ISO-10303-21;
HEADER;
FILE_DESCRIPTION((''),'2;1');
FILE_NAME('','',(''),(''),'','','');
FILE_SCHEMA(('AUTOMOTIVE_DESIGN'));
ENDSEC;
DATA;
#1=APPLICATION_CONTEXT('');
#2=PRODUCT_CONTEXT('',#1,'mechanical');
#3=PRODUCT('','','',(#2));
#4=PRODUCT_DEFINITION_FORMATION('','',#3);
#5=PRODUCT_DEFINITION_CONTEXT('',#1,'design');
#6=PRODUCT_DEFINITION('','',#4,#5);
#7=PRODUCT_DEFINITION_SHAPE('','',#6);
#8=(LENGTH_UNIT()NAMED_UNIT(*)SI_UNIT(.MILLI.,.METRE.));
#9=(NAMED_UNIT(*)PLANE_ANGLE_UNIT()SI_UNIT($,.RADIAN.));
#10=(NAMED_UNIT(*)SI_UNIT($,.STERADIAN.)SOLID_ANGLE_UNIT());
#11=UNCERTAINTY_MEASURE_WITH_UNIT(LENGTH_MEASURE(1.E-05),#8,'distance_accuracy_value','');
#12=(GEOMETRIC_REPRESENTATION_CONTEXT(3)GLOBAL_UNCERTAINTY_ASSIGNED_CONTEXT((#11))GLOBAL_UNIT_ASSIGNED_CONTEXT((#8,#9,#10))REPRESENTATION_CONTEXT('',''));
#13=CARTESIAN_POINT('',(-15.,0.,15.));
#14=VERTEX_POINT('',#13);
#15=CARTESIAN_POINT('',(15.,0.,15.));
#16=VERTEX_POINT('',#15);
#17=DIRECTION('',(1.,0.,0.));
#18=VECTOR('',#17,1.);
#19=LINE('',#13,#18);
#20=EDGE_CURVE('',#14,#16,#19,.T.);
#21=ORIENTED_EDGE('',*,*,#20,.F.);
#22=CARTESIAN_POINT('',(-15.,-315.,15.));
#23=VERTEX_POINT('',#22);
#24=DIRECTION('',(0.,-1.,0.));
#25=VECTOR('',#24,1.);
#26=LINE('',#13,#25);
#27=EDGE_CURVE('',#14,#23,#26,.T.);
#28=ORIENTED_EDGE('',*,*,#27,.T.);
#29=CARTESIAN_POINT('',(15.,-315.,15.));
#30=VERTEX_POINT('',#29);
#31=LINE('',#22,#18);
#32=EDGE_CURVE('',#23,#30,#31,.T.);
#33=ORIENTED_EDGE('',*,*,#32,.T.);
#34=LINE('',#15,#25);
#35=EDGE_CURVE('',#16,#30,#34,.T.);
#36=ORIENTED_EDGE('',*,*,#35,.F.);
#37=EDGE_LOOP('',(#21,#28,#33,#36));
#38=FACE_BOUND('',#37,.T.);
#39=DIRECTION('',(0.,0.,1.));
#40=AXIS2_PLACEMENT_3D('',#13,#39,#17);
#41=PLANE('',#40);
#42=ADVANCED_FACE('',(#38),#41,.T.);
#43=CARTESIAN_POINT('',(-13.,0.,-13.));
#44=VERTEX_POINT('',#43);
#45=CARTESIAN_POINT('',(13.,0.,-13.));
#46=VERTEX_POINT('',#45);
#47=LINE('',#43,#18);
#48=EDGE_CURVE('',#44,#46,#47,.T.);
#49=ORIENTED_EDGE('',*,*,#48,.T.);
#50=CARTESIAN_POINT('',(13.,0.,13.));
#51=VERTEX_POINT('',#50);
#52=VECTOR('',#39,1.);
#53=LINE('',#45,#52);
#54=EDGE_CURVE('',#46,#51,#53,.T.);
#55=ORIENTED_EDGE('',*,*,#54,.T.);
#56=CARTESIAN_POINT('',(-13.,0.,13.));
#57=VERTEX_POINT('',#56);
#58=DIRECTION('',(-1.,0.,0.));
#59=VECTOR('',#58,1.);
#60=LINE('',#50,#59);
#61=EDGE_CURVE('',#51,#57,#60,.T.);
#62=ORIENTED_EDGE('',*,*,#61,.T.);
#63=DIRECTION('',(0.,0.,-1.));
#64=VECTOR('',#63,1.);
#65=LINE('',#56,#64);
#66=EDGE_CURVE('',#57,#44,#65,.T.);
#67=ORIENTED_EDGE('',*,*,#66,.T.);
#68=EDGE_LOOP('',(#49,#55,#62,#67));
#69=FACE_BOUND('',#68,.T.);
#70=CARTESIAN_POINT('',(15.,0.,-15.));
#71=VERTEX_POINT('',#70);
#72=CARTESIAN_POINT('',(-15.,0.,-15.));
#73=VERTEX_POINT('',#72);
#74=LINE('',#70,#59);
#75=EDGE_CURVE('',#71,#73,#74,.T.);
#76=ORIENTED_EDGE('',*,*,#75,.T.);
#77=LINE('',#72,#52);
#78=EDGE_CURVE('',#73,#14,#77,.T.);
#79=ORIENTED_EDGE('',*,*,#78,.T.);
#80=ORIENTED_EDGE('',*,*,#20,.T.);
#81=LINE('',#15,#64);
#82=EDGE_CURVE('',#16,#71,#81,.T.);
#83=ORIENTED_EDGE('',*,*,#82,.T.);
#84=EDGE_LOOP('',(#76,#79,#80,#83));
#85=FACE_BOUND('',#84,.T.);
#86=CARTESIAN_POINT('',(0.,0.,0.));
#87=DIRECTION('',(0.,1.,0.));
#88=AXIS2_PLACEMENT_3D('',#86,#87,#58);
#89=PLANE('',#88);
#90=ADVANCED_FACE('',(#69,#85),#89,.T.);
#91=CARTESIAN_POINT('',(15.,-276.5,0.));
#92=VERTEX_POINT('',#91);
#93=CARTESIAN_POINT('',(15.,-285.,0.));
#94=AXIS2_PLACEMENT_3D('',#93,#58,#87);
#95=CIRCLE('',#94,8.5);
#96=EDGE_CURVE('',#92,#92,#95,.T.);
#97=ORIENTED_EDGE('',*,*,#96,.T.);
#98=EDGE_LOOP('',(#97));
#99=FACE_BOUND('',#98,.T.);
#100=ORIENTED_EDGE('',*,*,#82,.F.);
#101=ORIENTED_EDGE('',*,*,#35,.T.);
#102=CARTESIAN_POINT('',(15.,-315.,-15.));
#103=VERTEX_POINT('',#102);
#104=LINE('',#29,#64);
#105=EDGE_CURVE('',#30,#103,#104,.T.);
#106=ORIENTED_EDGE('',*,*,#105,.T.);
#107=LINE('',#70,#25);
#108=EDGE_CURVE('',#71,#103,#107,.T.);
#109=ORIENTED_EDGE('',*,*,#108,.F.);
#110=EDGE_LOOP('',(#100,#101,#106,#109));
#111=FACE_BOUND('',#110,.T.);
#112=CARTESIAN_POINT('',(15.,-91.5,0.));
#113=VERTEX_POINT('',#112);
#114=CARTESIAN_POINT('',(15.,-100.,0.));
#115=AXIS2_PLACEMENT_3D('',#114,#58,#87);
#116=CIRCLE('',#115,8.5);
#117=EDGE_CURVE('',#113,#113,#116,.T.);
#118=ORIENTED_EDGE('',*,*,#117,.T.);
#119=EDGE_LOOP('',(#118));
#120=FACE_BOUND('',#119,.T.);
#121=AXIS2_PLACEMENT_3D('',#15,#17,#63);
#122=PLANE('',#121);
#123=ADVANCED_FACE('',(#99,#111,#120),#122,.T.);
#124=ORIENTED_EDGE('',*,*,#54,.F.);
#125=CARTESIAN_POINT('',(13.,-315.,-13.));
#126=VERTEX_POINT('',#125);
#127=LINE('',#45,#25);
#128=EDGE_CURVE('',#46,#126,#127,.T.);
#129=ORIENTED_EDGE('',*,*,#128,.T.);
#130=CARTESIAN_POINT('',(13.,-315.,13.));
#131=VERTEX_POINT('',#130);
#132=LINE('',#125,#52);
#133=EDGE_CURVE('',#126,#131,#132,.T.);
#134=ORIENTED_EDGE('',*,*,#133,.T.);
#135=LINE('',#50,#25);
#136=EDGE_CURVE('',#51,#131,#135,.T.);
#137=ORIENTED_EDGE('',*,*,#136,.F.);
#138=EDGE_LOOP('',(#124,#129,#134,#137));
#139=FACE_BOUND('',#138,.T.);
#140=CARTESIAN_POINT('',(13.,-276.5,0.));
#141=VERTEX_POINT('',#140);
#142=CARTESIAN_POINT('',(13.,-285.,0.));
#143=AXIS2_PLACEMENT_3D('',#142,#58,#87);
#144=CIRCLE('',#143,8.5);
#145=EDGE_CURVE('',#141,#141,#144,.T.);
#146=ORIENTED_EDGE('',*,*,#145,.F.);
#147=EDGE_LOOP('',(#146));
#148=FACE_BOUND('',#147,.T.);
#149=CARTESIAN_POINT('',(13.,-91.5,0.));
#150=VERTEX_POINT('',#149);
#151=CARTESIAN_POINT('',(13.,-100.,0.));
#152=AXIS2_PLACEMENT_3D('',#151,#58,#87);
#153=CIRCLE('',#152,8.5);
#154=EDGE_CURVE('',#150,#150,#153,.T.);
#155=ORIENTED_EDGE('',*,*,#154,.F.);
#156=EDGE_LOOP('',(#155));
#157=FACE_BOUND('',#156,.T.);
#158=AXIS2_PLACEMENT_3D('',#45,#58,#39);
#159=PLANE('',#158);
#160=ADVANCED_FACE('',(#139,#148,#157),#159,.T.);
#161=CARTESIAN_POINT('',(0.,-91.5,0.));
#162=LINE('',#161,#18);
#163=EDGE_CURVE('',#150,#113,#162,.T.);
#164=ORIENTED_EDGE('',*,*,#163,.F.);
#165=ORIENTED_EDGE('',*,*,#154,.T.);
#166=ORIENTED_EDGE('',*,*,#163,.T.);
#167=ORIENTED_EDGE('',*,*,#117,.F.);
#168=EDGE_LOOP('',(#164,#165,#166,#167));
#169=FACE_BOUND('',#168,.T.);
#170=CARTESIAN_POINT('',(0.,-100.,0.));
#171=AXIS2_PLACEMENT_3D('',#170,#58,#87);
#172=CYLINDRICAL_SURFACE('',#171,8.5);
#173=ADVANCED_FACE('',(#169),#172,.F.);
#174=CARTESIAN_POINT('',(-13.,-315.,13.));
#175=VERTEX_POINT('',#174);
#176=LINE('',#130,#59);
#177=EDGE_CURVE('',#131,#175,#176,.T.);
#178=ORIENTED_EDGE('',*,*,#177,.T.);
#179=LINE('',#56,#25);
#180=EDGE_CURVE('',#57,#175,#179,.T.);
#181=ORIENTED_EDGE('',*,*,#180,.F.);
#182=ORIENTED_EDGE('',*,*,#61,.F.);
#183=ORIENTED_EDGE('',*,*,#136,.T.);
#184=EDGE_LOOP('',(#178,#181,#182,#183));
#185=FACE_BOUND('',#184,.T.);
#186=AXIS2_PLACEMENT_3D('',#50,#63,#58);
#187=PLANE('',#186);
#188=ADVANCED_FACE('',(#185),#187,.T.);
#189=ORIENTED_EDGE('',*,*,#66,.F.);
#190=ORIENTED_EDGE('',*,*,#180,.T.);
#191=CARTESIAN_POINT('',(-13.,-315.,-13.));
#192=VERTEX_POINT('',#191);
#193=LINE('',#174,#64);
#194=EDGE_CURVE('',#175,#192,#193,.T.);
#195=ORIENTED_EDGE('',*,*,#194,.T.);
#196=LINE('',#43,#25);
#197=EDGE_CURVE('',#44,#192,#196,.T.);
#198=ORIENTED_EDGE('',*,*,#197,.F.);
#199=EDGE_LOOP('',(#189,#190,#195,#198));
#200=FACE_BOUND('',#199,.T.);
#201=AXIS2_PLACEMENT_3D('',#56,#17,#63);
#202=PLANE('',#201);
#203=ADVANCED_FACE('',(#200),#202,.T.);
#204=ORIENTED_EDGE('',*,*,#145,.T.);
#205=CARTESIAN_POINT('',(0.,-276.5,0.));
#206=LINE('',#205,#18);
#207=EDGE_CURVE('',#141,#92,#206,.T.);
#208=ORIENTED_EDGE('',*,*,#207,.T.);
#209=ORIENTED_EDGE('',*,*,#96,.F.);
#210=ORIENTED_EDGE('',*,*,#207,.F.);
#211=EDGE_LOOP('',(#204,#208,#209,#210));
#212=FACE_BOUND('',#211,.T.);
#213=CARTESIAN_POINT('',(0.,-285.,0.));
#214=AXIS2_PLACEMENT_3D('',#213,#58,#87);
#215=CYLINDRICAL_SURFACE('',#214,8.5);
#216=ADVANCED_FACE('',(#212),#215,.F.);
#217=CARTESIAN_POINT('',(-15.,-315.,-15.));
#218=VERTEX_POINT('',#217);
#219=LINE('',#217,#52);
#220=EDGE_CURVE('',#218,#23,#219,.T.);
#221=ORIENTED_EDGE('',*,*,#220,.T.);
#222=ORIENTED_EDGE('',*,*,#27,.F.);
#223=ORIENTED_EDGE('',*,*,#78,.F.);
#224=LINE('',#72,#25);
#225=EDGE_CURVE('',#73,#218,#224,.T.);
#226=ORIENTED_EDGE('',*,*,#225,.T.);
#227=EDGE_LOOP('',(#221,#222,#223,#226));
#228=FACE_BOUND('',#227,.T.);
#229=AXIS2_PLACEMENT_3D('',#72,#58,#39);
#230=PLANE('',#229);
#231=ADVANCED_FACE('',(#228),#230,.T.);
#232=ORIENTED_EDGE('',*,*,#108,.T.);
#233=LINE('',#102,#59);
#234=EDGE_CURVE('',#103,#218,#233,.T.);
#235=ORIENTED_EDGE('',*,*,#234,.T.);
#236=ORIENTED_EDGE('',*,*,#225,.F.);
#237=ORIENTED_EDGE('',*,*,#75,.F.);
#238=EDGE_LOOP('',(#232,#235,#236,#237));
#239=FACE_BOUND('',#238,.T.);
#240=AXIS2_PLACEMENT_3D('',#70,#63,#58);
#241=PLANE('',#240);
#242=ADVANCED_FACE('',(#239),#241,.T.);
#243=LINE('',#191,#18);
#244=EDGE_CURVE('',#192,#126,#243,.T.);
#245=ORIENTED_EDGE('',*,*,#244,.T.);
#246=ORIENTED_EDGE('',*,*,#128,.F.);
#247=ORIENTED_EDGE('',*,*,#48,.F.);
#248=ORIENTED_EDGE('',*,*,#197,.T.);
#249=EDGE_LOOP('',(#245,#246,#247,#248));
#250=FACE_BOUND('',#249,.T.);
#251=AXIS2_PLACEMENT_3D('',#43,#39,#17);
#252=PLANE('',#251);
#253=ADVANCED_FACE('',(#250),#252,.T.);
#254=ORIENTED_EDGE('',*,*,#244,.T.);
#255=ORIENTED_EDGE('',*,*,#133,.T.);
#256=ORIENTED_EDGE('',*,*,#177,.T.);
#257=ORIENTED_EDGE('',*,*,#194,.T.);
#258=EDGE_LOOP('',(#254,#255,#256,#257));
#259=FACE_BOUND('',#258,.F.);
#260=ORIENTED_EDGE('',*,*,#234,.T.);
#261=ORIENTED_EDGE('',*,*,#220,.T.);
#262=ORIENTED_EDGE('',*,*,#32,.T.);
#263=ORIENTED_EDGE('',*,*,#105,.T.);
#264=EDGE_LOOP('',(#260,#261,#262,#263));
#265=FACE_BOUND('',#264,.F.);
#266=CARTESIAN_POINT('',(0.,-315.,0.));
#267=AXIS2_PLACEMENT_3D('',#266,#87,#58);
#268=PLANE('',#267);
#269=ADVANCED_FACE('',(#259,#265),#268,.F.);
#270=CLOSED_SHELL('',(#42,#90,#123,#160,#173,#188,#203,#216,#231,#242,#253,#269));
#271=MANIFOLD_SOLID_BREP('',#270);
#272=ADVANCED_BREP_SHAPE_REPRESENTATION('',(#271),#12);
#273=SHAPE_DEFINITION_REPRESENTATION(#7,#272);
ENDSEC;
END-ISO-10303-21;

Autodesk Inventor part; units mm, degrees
ref_plane "YZ Plane" through (0, 0, 0) normal (1, 0, 0) x (0, 1, 0)
ref_plane "XZ Plane" through (0, 0, 0) normal (0, 1, 0) x (-1, 0, 0)
ref_plane "XY Plane" through (0, 0, 0) normal (0, 0, 1) x (1, 0, 0)
sketch "Sketch9" plane through (0, 0, 0) normal (0, 1, 0) x (-1, 0, 0)
  line L0 (15, 15) -> (-15, 15)
  line L1 (-15, 15) -> (-15, -15)
  line L2 (-15, -15) -> (15, -15)
  line L3 (15, -15) -> (15, 15)
  line L4 (15, 15) -> (-15, -15) construction
  line L5 (-15, 15) -> (15, -15) construction
  line L6 (-13, 13) -> (13, 13)
  line L7 (13, 13) -> (13, -13)
  line L8 (13, -13) -> (-13, -13)
  line L9 (-13, -13) -> (-13, 13)
  point P0 (0, 0)
  dimension "d172" = 30
  dimension "d173" = 30
  dimension "d174" = 2
extrude "Extrusion3" add sketch "Sketch9" against normal blind 315
sketch "Sketch10" plane through (0, 0, 0) normal (1, 0, 0) x (0, 1, 0)
  line L0 (0, 15) -> (0, -15) construction
  line L1 (0, 15) -> (-315, 15) construction
  line L2 (-315, -15) -> (-315, 15) construction
  line L3 (0, -15) -> (-315, -15) construction
  line L4 (-108.5, 8.5) -> (-91.5, 8.5)
  line L5 (-91.5, 8.5) -> (-91.5, -8.5)
  line L6 (-91.5, -8.5) -> (-108.5, -8.5)
  line L7 (-108.5, -8.5) -> (-108.5, 8.5)
  line L8 (-108.5, 8.5) -> (-91.5, -8.5) construction
  line L9 (-91.5, 8.5) -> (-108.5, -8.5) construction
  line L10 (-293.5, 8.5) -> (-276.5, 8.5)
  line L11 (-276.5, 8.5) -> (-276.5, -8.5)
  line L12 (-276.5, -8.5) -> (-293.5, -8.5)
  line L13 (-293.5, -8.5) -> (-293.5, 8.5)
  line L14 (-293.5, 8.5) -> (-276.5, -8.5) construction
  line L15 (-276.5, 8.5) -> (-293.5, -8.5) construction
  line L16 (-413.5, 8.5) -> (-396.5, 8.5)
  line L17 (-396.5, 8.5) -> (-396.5, -8.5)
  line L18 (-396.5, -8.5) -> (-413.5, -8.5)
  line L19 (-413.5, -8.5) -> (-413.5, 8.5)
  line L20 (-413.5, 8.5) -> (-396.5, -8.5) construction
  line L21 (-396.5, 8.5) -> (-413.5, -8.5) construction
  circle A0 centre (-470, 0) radius 8.5
  line L22 (0, 0) -> (30, 0)
  circle A1 centre (-100, 0) radius 8.5
  circle A2 centre (-285, 0) radius 8.5
  circle A3 centre (-405, 0) radius 8.5
  dimension "d177" = 17
  dimension "d178" = 17
  dimension "d181" = 30
  dimension "d182" = 130
  dimension "d183" = 315
  dimension "d184" = 435
  dimension "d185" = 500
  dimension "d186" = 17
extrude "Extrusion4" cut sketch "Sketch10" along normal through all contours A1 | A2
properties part number "TZS 1662 FDS 940 way tube 2" material "Stainless Steel"
